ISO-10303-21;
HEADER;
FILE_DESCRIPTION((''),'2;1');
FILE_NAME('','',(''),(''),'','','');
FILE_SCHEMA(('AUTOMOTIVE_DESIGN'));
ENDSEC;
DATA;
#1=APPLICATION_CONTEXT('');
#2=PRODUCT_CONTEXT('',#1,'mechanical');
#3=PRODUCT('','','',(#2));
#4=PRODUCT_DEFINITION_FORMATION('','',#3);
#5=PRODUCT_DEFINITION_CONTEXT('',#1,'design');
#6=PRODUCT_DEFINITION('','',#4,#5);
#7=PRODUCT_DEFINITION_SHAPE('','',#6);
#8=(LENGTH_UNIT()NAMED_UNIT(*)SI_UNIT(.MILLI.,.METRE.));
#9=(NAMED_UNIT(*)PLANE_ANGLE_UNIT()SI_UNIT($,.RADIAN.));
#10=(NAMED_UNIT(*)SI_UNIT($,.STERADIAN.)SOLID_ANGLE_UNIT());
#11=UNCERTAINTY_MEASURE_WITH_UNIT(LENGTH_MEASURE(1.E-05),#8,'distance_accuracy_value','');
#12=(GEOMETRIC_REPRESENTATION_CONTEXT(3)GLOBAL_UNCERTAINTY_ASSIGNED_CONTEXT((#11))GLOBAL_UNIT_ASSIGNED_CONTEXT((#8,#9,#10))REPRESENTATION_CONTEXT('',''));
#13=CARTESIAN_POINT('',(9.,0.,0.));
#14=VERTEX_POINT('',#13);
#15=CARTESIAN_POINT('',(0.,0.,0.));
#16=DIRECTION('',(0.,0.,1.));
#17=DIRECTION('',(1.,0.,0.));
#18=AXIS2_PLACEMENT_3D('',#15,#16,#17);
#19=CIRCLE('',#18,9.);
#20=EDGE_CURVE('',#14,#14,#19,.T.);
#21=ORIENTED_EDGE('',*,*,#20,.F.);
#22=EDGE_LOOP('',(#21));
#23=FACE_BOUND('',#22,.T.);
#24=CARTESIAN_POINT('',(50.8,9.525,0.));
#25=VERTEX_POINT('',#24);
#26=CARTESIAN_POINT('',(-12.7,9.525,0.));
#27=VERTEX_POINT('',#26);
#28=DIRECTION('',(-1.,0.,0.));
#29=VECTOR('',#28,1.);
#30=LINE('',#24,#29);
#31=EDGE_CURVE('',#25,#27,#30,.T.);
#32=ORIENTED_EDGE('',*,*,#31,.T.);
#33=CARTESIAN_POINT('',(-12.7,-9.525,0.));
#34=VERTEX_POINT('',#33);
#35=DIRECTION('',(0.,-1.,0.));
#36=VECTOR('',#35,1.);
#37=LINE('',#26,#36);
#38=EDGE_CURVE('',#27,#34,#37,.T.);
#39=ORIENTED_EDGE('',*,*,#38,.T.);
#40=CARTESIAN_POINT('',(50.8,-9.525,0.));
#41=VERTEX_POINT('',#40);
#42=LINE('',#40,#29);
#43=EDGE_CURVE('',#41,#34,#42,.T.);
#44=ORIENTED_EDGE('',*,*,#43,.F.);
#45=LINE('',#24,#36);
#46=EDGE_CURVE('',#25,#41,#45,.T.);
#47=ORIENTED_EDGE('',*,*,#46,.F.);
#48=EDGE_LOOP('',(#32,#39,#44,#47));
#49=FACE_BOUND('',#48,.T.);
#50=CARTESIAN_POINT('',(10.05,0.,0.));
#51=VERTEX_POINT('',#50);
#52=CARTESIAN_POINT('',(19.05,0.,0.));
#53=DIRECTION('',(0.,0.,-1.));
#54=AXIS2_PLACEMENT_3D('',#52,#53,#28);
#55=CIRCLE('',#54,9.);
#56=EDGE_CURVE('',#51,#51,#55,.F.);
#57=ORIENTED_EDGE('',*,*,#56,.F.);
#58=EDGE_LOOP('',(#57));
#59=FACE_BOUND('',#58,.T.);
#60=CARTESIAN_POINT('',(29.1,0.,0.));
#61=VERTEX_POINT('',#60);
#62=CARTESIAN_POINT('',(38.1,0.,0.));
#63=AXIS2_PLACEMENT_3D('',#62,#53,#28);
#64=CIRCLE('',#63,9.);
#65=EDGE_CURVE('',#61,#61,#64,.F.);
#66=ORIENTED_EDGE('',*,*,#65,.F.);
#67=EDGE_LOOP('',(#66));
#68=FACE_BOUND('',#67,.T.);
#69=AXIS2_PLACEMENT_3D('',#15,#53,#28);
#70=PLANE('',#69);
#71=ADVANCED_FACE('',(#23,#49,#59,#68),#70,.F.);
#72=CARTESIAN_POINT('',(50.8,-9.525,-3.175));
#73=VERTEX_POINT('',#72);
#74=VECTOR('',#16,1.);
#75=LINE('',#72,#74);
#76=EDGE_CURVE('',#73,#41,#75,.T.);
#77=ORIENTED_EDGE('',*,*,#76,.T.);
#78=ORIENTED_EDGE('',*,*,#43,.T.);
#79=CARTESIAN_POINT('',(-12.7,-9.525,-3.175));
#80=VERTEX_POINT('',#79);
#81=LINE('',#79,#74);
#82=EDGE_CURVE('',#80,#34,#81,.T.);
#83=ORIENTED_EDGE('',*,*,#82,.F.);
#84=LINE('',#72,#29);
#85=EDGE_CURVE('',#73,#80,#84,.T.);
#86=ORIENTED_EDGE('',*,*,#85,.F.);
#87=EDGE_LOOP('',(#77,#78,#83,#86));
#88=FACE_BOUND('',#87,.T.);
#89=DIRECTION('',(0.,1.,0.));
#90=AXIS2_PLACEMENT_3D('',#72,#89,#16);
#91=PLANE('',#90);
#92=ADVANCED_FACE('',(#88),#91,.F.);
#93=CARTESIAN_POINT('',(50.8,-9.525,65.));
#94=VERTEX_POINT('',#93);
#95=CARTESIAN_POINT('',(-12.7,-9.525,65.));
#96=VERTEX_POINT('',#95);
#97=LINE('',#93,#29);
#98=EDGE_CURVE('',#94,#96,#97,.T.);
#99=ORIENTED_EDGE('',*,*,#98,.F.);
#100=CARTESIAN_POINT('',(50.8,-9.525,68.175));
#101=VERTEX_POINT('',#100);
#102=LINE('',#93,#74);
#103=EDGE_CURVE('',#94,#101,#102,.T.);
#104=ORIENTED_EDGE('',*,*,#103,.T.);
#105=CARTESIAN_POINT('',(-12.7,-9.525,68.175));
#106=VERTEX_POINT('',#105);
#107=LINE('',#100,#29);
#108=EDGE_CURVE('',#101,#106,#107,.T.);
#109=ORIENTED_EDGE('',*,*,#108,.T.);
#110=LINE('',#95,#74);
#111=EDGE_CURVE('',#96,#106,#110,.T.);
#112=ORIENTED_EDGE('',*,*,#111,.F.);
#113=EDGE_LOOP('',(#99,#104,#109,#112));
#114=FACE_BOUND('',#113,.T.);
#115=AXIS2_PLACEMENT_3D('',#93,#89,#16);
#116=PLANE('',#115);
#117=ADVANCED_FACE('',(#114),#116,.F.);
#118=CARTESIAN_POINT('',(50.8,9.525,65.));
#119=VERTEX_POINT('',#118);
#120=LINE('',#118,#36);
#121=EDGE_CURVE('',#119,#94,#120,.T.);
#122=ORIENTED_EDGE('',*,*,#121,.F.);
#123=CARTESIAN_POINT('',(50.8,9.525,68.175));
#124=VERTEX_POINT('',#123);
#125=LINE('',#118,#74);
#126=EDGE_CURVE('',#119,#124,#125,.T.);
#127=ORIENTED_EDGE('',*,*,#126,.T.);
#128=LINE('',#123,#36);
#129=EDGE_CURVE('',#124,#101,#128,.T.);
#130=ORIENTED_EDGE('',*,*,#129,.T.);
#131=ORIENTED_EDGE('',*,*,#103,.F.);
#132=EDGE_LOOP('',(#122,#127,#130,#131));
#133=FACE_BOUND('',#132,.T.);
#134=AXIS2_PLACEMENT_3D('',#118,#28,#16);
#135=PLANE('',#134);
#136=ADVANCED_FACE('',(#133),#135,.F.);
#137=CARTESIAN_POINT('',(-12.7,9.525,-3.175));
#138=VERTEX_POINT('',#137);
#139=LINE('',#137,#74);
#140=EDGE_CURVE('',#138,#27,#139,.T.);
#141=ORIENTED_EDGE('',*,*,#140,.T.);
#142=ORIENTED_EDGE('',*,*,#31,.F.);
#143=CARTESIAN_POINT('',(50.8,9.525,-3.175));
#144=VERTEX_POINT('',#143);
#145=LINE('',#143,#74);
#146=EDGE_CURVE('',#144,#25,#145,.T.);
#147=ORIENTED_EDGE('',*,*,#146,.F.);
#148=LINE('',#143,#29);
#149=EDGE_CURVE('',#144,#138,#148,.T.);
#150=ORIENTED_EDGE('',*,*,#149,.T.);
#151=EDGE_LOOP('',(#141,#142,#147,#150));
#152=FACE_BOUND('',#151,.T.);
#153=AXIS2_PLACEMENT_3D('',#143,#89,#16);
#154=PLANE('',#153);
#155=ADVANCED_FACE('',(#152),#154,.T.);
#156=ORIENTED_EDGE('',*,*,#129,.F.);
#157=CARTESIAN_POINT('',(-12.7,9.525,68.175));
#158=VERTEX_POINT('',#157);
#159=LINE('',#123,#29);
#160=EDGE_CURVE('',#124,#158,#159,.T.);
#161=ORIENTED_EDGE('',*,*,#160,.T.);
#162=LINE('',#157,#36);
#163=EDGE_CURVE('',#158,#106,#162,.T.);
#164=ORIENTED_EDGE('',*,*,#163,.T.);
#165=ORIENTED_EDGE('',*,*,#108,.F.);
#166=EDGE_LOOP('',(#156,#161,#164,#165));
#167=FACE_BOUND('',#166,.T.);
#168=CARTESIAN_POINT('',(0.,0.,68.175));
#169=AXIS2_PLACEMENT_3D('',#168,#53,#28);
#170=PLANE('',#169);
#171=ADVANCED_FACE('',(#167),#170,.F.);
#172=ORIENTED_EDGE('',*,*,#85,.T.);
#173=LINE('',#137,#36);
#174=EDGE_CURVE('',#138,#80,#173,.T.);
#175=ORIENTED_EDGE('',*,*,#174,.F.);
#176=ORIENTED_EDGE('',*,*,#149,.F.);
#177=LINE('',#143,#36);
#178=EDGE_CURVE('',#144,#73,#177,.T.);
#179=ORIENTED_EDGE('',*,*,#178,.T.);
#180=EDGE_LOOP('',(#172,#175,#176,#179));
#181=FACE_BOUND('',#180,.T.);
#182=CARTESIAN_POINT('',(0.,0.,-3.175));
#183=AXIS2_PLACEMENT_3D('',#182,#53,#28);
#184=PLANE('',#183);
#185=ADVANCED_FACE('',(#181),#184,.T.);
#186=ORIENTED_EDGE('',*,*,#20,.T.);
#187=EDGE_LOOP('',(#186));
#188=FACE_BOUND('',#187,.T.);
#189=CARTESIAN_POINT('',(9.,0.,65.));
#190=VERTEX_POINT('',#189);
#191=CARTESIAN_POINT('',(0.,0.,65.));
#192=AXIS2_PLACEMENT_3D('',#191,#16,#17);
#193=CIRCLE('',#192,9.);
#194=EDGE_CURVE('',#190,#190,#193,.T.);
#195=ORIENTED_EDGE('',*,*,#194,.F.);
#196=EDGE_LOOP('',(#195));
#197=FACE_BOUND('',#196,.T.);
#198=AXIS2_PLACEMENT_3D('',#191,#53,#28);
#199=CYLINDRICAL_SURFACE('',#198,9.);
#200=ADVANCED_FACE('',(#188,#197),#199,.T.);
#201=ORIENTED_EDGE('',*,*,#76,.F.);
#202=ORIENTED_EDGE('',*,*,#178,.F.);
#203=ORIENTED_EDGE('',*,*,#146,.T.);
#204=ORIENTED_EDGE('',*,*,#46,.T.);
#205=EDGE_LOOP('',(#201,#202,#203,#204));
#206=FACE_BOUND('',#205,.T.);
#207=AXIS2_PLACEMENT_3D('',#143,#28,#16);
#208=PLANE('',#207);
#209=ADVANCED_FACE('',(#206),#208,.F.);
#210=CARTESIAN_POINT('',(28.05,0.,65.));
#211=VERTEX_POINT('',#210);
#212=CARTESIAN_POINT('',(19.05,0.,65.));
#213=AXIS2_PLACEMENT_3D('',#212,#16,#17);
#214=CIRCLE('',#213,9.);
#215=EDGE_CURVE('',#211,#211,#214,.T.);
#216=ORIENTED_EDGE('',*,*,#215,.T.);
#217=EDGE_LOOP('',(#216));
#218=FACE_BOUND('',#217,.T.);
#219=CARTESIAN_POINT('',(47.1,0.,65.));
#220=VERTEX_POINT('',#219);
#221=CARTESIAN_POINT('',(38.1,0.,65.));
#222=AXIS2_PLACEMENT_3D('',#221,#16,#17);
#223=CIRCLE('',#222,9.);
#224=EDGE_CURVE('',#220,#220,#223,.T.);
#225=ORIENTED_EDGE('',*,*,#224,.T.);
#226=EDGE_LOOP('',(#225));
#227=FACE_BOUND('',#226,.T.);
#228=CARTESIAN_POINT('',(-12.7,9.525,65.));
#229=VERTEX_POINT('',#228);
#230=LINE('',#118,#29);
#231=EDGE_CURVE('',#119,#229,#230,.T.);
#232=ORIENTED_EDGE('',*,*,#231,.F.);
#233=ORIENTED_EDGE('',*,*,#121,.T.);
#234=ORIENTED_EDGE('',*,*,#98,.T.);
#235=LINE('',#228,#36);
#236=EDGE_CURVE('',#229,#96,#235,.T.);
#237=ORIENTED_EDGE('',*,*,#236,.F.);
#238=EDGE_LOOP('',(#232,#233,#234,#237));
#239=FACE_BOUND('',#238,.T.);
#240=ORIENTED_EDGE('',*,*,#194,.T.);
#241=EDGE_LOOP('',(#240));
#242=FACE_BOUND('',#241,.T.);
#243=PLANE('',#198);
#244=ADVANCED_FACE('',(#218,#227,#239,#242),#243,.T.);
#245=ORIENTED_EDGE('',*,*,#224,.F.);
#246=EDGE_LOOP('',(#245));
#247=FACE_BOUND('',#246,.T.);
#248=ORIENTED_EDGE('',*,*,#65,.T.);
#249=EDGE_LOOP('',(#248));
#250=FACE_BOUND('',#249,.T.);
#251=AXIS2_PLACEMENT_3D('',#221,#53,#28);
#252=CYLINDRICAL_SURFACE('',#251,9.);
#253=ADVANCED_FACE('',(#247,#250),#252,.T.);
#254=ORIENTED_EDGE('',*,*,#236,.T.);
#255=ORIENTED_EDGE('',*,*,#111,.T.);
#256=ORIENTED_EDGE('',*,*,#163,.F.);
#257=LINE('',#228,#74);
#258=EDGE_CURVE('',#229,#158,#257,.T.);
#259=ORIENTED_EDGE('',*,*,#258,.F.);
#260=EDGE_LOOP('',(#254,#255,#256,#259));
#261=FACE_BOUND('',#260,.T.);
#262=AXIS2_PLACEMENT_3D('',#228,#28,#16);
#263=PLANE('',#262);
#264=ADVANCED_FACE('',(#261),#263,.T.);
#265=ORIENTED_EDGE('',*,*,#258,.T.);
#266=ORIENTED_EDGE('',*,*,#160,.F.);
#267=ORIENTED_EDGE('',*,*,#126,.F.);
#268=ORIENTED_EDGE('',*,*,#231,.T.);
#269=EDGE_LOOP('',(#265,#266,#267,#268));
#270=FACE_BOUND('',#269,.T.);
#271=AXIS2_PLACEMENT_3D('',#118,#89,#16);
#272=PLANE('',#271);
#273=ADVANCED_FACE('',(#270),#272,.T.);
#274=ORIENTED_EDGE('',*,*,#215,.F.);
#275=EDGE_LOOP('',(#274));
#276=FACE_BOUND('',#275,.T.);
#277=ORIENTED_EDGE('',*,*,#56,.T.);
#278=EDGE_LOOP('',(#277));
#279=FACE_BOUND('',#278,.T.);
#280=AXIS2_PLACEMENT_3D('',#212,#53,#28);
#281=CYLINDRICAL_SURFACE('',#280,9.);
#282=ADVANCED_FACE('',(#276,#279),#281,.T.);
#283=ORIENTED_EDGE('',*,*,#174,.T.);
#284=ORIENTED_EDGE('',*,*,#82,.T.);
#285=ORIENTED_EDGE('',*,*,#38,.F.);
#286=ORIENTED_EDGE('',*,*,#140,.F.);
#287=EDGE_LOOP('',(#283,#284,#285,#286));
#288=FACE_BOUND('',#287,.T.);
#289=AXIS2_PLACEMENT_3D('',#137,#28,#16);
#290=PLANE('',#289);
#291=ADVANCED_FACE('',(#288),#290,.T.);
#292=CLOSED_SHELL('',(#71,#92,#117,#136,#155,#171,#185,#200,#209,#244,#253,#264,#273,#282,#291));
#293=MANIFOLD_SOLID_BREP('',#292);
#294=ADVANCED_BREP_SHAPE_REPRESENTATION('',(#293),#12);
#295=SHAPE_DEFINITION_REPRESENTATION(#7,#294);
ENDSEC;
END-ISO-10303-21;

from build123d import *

# Parameters (mm, degrees)
SKETCH1_R           = 9
BOSS_EXTRUDE1_DEPTH = 65
LPATTERN1_COUNT     = 3
LPATTERN1_PITCH     = 19.05
SKETCH2_W           = 63.5
SKETCH2_H           = 19.05
BOSS_EXTRUDE5_DEPTH = 3.175
LPATTERN2_COUNT     = 2
LPATTERN2_PITCH     = 68.175


with BuildPart() as part:
    # Sketch1 → Boss-Extrude1 (new body)
    with BuildSketch(Plane.XY):
        Circle(SKETCH1_R)
    extrude(amount=BOSS_EXTRUDE1_DEPTH)


with BuildPart() as lpattern1_1:
    # LPattern1: pattern copy
    add(part.part.moved(Location(Vector(1, 0, 0) * (1 * LPATTERN1_PITCH))))


with BuildPart() as lpattern1_2:
    # LPattern1: pattern copy
    add(part.part.moved(Location(Vector(1, 0, 0) * (2 * LPATTERN1_PITCH))))


with BuildPart() as part_1:
    add(part.part)

    add(lpattern1_1.part)  # Boss-Extrude5 merges LPattern1_1

    add(lpattern1_2.part)  # Boss-Extrude5 merges LPattern1_2
    # Sketch2 → Boss-Extrude5 (add)
    with BuildSketch(Plane(origin=(0, 0, 0), x_dir=(-1, 0, 0), z_dir=(0, 0, -1))):
        with Locations((-19.05, 0)):
            Rectangle(SKETCH2_W, SKETCH2_H)
    boss_extrude5 = extrude(amount=BOSS_EXTRUDE5_DEPTH)

    # LPattern2: Boss-Extrude5 ×2
    with Locations(*[(0, 0, i * LPATTERN2_PITCH) for i in range(1, LPATTERN2_COUNT)]):
        add(boss_extrude5)


solid = part_1.part
